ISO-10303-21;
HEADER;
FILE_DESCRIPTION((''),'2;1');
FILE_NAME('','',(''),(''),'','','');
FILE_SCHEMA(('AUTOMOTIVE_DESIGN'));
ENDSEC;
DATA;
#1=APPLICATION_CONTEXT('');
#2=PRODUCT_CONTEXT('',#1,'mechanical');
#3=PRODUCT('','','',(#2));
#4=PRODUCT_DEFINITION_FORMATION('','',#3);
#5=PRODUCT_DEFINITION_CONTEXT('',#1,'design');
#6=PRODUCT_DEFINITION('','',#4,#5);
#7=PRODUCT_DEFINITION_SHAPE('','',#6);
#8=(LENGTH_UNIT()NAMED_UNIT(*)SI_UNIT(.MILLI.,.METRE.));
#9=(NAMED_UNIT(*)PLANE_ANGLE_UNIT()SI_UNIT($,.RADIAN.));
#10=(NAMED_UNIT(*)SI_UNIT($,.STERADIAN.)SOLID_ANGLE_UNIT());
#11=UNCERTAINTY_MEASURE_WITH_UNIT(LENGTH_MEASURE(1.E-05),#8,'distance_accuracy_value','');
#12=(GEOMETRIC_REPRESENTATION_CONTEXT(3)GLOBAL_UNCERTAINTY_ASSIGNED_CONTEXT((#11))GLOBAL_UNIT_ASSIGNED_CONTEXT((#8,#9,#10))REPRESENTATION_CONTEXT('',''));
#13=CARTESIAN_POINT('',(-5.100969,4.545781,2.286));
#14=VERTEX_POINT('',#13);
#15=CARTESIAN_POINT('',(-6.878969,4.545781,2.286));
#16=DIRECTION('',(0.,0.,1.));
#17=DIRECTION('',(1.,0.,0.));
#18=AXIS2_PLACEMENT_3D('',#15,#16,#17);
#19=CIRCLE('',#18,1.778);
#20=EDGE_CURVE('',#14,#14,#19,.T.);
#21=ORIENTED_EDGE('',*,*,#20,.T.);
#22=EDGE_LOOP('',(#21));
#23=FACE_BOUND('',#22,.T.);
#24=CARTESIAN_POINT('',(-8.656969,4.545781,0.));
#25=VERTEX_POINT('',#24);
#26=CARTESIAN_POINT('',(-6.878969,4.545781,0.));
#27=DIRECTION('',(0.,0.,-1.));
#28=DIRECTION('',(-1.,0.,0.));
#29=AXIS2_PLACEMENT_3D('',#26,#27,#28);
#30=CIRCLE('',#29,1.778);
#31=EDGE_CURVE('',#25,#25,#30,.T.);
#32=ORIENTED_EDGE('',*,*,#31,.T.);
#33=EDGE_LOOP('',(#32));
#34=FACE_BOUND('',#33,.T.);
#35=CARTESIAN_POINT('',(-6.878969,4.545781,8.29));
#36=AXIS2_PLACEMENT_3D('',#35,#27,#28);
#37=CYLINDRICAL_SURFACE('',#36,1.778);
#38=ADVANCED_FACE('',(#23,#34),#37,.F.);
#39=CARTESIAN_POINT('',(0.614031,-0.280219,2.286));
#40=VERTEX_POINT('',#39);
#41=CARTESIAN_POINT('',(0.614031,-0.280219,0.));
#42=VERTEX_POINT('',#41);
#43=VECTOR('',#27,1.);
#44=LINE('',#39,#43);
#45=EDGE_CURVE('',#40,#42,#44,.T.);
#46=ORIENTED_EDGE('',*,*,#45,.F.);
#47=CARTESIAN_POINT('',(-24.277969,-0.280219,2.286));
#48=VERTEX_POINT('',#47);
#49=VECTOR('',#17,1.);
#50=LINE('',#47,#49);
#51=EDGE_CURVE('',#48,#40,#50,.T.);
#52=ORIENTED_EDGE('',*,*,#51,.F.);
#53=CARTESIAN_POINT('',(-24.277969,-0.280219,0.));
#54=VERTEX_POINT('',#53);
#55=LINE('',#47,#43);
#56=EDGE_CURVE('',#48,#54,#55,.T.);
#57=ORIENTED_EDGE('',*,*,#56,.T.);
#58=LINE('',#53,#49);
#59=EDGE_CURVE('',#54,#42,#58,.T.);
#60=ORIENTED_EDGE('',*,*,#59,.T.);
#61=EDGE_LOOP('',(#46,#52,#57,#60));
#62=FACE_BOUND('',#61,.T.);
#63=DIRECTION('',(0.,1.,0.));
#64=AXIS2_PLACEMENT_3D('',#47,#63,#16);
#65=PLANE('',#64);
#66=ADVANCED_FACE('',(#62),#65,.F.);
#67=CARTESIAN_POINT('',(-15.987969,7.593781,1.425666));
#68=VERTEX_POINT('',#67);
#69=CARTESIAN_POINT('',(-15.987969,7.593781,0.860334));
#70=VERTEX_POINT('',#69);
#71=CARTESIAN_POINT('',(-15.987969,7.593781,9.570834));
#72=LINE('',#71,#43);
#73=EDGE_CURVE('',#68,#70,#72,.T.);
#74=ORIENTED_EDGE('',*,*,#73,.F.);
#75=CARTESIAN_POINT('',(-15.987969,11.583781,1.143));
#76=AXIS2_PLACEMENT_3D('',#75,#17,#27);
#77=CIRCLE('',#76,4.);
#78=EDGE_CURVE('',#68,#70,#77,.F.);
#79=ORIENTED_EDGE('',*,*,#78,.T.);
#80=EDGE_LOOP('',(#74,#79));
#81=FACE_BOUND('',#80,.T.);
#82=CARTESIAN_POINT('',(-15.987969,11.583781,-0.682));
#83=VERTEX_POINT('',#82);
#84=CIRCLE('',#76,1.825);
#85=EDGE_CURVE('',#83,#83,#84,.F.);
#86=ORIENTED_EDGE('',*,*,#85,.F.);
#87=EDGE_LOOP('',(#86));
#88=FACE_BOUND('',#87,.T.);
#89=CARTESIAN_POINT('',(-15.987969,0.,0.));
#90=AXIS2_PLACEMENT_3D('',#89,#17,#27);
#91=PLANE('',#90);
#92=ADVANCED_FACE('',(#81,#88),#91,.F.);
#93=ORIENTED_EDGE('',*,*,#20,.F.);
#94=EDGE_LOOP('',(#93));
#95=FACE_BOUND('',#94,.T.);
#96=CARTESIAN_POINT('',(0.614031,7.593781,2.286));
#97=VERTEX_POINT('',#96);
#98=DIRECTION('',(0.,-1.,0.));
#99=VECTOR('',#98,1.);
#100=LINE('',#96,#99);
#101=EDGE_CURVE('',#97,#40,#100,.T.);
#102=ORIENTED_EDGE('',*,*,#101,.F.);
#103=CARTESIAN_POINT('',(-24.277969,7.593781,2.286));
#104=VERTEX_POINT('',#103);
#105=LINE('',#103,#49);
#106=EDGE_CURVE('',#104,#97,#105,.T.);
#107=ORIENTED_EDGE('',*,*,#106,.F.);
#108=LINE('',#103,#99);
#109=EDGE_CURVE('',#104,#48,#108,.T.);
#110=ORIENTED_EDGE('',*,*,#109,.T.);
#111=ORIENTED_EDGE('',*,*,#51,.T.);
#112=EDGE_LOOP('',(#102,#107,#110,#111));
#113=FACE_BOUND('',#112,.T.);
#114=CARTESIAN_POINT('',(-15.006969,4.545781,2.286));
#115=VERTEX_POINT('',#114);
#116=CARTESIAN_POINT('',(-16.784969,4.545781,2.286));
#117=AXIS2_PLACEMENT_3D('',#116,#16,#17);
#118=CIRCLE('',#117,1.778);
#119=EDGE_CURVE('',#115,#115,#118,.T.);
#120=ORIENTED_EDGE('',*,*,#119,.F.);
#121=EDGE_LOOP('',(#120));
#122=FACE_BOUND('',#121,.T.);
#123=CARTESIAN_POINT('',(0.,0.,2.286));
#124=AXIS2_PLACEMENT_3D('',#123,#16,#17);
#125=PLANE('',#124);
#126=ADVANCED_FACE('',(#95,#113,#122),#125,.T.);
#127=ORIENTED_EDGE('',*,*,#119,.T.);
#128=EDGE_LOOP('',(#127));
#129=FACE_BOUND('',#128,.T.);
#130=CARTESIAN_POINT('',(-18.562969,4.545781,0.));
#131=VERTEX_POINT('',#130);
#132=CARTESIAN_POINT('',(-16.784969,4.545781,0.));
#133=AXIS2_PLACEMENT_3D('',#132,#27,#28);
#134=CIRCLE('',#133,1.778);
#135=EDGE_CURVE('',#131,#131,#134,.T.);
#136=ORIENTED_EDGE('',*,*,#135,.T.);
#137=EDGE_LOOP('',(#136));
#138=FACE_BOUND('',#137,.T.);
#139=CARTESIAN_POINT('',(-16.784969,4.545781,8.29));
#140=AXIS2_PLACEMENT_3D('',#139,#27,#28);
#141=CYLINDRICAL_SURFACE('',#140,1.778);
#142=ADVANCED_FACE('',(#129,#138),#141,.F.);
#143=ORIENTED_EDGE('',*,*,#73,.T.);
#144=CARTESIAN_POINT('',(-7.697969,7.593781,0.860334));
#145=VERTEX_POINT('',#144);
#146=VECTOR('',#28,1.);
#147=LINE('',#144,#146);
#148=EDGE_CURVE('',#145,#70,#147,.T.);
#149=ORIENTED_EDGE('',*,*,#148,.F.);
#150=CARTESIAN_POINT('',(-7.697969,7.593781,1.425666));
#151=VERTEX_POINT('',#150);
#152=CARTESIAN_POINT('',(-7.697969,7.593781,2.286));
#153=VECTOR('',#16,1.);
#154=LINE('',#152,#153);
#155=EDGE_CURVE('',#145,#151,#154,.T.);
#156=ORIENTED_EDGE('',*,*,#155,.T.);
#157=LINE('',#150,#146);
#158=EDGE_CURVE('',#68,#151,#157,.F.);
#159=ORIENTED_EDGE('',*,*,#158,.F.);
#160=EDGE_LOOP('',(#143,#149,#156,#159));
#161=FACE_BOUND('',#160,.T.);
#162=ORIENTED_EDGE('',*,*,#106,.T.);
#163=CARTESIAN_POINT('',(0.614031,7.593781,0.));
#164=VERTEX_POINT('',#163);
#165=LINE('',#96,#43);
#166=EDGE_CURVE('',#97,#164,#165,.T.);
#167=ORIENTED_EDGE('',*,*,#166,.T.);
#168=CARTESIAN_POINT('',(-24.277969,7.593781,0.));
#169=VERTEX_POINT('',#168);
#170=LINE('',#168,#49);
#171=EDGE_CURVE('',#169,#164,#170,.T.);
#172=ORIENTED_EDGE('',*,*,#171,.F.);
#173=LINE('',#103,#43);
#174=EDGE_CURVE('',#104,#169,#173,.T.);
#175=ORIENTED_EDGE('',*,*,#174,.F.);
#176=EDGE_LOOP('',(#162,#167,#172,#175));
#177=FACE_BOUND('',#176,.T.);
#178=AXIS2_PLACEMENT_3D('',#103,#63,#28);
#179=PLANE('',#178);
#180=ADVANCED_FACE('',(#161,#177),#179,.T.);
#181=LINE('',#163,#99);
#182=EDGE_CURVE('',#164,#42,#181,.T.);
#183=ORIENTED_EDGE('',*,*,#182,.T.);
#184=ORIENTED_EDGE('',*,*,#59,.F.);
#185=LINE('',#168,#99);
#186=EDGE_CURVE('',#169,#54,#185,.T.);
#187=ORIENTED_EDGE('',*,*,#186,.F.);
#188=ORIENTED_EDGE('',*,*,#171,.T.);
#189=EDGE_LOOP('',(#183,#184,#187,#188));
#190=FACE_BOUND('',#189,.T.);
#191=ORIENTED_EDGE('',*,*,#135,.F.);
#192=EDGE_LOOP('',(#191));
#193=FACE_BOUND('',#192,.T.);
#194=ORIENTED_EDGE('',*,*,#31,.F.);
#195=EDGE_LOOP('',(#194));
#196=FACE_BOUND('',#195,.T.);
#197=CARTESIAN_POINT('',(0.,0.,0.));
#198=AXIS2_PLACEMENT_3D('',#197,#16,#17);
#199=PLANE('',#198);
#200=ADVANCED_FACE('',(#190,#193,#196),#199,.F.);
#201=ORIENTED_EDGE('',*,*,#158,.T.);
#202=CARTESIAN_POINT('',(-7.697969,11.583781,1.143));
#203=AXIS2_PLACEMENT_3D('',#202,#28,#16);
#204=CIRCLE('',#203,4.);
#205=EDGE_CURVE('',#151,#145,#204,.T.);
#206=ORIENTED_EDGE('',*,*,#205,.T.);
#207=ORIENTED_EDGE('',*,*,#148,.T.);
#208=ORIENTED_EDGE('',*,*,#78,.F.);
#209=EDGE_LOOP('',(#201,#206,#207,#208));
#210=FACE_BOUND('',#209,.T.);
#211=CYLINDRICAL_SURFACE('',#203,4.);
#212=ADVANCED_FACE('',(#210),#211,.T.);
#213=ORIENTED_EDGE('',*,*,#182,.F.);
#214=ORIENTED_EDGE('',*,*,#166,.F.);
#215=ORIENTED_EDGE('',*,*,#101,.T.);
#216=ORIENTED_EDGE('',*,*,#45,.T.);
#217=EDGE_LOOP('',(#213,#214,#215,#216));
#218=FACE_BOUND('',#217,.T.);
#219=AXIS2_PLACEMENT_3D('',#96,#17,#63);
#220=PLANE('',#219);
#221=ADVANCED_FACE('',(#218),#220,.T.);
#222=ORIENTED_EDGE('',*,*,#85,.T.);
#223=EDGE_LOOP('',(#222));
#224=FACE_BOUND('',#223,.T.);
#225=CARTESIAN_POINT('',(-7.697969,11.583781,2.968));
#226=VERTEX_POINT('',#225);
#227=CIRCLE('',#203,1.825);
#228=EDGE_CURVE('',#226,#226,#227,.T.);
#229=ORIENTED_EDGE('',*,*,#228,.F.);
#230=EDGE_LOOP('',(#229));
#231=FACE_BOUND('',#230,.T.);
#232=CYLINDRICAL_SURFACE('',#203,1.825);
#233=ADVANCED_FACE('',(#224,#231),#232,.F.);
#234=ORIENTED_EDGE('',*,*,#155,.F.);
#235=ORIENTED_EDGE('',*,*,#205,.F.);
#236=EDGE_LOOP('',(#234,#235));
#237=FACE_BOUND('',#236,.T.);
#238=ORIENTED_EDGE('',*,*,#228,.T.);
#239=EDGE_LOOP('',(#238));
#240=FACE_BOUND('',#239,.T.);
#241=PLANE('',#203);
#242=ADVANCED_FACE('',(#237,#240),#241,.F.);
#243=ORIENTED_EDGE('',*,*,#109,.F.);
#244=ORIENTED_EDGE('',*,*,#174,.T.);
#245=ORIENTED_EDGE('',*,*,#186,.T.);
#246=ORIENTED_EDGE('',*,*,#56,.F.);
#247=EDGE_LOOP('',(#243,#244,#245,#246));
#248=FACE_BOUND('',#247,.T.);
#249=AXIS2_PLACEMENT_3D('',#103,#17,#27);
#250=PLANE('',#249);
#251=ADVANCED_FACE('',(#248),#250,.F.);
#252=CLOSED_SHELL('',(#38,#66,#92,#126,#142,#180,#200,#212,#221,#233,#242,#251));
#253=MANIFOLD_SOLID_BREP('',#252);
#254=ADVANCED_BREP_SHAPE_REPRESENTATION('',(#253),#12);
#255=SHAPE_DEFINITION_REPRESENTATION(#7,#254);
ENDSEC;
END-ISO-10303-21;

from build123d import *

# Parameters (mm, degrees)
SKETCH1_W           = 24.892
SKETCH1_H           = 7.874
BOSS_EXTRUDE1_DEPTH = 2.286
SKETCH4_R           = 4
BOSS_EXTRUDE3_DEPTH = 16.58
SKETCH5_R           = 1.825
CUT_EXTRUDE2_DEPTH  = 16.58
CUT_EXTRUDE3_DEPTH  = 8.29
SKETCH8_R           = 1.778
CUT_EXTRUDE4_DEPTH  = 8.29
SKETCH9_W           = 2.190957137
SKETCH9_H           = 1.309901185
SKETCH9_W_2         = 1.781735984
SKETCH9_H_2         = 0.803323297
CUT_EXTRUDE5_DEPTH  = 8.29


with BuildPart() as part:
    # Sketch1 → Boss-Extrude1 (new body)
    with BuildSketch(Plane.XY):
        with Locations((-11.83196875, 3.65678125)):
            Rectangle(SKETCH1_W, SKETCH1_H)
    extrude(amount=BOSS_EXTRUDE1_DEPTH)

    # Sketch4 → Boss-Extrude3 (add)
    with BuildSketch(Plane.ZY.offset(24.27796875)):
        with Locations((1.143, 11.58378125)):
            Circle(SKETCH4_R)
    extrude(amount=-BOSS_EXTRUDE3_DEPTH)

    # Sketch5 → Cut-Extrude2 (cut)
    with BuildSketch(Plane.ZY.offset(24.27796875)):
        with Locations((1.143, 11.58378125)):
            Circle(SKETCH5_R)
    extrude(amount=-CUT_EXTRUDE2_DEPTH, mode=Mode.SUBTRACT)

    # Sketch7 → Cut-Extrude3 (cut)
    with BuildSketch(Plane.ZY.offset(24.27796875)):
        Polygon((0.43016706, 7.59378125), (-5.580589686, 7.59378125), (-5.580589686, 19.623956734), (9.570834238, 19.623956734), (9.570834238, 7.59378125), align=None)
    extrude(amount=-CUT_EXTRUDE3_DEPTH, mode=Mode.SUBTRACT)

    # Sketch8 → Cut-Extrude4 (cut)
    with BuildSketch(Plane(origin=(0, 0, 0), x_dir=(-1, 0, 0), z_dir=(0, 0, -1))):
        with Locations((6.87896875, 4.54578125)):
            Circle(SKETCH8_R)
        with Locations((16.78496875, 4.54578125)):
            Circle(SKETCH8_R)
    extrude(amount=-CUT_EXTRUDE4_DEPTH, mode=Mode.SUBTRACT)

    # Sketch9 → Cut-Extrude5 (cut)
    with BuildSketch(Plane.ZY.offset(24.27796875)):
        with Locations((3.381478569, 7.915515048)):
            Rectangle(SKETCH9_W, SKETCH9_H)
        with Locations((-0.890867992, 7.662226104)):
            Rectangle(SKETCH9_W_2, SKETCH9_H_2)
    extrude(amount=-CUT_EXTRUDE5_DEPTH, mode=Mode.SUBTRACT)


solid = part.part
